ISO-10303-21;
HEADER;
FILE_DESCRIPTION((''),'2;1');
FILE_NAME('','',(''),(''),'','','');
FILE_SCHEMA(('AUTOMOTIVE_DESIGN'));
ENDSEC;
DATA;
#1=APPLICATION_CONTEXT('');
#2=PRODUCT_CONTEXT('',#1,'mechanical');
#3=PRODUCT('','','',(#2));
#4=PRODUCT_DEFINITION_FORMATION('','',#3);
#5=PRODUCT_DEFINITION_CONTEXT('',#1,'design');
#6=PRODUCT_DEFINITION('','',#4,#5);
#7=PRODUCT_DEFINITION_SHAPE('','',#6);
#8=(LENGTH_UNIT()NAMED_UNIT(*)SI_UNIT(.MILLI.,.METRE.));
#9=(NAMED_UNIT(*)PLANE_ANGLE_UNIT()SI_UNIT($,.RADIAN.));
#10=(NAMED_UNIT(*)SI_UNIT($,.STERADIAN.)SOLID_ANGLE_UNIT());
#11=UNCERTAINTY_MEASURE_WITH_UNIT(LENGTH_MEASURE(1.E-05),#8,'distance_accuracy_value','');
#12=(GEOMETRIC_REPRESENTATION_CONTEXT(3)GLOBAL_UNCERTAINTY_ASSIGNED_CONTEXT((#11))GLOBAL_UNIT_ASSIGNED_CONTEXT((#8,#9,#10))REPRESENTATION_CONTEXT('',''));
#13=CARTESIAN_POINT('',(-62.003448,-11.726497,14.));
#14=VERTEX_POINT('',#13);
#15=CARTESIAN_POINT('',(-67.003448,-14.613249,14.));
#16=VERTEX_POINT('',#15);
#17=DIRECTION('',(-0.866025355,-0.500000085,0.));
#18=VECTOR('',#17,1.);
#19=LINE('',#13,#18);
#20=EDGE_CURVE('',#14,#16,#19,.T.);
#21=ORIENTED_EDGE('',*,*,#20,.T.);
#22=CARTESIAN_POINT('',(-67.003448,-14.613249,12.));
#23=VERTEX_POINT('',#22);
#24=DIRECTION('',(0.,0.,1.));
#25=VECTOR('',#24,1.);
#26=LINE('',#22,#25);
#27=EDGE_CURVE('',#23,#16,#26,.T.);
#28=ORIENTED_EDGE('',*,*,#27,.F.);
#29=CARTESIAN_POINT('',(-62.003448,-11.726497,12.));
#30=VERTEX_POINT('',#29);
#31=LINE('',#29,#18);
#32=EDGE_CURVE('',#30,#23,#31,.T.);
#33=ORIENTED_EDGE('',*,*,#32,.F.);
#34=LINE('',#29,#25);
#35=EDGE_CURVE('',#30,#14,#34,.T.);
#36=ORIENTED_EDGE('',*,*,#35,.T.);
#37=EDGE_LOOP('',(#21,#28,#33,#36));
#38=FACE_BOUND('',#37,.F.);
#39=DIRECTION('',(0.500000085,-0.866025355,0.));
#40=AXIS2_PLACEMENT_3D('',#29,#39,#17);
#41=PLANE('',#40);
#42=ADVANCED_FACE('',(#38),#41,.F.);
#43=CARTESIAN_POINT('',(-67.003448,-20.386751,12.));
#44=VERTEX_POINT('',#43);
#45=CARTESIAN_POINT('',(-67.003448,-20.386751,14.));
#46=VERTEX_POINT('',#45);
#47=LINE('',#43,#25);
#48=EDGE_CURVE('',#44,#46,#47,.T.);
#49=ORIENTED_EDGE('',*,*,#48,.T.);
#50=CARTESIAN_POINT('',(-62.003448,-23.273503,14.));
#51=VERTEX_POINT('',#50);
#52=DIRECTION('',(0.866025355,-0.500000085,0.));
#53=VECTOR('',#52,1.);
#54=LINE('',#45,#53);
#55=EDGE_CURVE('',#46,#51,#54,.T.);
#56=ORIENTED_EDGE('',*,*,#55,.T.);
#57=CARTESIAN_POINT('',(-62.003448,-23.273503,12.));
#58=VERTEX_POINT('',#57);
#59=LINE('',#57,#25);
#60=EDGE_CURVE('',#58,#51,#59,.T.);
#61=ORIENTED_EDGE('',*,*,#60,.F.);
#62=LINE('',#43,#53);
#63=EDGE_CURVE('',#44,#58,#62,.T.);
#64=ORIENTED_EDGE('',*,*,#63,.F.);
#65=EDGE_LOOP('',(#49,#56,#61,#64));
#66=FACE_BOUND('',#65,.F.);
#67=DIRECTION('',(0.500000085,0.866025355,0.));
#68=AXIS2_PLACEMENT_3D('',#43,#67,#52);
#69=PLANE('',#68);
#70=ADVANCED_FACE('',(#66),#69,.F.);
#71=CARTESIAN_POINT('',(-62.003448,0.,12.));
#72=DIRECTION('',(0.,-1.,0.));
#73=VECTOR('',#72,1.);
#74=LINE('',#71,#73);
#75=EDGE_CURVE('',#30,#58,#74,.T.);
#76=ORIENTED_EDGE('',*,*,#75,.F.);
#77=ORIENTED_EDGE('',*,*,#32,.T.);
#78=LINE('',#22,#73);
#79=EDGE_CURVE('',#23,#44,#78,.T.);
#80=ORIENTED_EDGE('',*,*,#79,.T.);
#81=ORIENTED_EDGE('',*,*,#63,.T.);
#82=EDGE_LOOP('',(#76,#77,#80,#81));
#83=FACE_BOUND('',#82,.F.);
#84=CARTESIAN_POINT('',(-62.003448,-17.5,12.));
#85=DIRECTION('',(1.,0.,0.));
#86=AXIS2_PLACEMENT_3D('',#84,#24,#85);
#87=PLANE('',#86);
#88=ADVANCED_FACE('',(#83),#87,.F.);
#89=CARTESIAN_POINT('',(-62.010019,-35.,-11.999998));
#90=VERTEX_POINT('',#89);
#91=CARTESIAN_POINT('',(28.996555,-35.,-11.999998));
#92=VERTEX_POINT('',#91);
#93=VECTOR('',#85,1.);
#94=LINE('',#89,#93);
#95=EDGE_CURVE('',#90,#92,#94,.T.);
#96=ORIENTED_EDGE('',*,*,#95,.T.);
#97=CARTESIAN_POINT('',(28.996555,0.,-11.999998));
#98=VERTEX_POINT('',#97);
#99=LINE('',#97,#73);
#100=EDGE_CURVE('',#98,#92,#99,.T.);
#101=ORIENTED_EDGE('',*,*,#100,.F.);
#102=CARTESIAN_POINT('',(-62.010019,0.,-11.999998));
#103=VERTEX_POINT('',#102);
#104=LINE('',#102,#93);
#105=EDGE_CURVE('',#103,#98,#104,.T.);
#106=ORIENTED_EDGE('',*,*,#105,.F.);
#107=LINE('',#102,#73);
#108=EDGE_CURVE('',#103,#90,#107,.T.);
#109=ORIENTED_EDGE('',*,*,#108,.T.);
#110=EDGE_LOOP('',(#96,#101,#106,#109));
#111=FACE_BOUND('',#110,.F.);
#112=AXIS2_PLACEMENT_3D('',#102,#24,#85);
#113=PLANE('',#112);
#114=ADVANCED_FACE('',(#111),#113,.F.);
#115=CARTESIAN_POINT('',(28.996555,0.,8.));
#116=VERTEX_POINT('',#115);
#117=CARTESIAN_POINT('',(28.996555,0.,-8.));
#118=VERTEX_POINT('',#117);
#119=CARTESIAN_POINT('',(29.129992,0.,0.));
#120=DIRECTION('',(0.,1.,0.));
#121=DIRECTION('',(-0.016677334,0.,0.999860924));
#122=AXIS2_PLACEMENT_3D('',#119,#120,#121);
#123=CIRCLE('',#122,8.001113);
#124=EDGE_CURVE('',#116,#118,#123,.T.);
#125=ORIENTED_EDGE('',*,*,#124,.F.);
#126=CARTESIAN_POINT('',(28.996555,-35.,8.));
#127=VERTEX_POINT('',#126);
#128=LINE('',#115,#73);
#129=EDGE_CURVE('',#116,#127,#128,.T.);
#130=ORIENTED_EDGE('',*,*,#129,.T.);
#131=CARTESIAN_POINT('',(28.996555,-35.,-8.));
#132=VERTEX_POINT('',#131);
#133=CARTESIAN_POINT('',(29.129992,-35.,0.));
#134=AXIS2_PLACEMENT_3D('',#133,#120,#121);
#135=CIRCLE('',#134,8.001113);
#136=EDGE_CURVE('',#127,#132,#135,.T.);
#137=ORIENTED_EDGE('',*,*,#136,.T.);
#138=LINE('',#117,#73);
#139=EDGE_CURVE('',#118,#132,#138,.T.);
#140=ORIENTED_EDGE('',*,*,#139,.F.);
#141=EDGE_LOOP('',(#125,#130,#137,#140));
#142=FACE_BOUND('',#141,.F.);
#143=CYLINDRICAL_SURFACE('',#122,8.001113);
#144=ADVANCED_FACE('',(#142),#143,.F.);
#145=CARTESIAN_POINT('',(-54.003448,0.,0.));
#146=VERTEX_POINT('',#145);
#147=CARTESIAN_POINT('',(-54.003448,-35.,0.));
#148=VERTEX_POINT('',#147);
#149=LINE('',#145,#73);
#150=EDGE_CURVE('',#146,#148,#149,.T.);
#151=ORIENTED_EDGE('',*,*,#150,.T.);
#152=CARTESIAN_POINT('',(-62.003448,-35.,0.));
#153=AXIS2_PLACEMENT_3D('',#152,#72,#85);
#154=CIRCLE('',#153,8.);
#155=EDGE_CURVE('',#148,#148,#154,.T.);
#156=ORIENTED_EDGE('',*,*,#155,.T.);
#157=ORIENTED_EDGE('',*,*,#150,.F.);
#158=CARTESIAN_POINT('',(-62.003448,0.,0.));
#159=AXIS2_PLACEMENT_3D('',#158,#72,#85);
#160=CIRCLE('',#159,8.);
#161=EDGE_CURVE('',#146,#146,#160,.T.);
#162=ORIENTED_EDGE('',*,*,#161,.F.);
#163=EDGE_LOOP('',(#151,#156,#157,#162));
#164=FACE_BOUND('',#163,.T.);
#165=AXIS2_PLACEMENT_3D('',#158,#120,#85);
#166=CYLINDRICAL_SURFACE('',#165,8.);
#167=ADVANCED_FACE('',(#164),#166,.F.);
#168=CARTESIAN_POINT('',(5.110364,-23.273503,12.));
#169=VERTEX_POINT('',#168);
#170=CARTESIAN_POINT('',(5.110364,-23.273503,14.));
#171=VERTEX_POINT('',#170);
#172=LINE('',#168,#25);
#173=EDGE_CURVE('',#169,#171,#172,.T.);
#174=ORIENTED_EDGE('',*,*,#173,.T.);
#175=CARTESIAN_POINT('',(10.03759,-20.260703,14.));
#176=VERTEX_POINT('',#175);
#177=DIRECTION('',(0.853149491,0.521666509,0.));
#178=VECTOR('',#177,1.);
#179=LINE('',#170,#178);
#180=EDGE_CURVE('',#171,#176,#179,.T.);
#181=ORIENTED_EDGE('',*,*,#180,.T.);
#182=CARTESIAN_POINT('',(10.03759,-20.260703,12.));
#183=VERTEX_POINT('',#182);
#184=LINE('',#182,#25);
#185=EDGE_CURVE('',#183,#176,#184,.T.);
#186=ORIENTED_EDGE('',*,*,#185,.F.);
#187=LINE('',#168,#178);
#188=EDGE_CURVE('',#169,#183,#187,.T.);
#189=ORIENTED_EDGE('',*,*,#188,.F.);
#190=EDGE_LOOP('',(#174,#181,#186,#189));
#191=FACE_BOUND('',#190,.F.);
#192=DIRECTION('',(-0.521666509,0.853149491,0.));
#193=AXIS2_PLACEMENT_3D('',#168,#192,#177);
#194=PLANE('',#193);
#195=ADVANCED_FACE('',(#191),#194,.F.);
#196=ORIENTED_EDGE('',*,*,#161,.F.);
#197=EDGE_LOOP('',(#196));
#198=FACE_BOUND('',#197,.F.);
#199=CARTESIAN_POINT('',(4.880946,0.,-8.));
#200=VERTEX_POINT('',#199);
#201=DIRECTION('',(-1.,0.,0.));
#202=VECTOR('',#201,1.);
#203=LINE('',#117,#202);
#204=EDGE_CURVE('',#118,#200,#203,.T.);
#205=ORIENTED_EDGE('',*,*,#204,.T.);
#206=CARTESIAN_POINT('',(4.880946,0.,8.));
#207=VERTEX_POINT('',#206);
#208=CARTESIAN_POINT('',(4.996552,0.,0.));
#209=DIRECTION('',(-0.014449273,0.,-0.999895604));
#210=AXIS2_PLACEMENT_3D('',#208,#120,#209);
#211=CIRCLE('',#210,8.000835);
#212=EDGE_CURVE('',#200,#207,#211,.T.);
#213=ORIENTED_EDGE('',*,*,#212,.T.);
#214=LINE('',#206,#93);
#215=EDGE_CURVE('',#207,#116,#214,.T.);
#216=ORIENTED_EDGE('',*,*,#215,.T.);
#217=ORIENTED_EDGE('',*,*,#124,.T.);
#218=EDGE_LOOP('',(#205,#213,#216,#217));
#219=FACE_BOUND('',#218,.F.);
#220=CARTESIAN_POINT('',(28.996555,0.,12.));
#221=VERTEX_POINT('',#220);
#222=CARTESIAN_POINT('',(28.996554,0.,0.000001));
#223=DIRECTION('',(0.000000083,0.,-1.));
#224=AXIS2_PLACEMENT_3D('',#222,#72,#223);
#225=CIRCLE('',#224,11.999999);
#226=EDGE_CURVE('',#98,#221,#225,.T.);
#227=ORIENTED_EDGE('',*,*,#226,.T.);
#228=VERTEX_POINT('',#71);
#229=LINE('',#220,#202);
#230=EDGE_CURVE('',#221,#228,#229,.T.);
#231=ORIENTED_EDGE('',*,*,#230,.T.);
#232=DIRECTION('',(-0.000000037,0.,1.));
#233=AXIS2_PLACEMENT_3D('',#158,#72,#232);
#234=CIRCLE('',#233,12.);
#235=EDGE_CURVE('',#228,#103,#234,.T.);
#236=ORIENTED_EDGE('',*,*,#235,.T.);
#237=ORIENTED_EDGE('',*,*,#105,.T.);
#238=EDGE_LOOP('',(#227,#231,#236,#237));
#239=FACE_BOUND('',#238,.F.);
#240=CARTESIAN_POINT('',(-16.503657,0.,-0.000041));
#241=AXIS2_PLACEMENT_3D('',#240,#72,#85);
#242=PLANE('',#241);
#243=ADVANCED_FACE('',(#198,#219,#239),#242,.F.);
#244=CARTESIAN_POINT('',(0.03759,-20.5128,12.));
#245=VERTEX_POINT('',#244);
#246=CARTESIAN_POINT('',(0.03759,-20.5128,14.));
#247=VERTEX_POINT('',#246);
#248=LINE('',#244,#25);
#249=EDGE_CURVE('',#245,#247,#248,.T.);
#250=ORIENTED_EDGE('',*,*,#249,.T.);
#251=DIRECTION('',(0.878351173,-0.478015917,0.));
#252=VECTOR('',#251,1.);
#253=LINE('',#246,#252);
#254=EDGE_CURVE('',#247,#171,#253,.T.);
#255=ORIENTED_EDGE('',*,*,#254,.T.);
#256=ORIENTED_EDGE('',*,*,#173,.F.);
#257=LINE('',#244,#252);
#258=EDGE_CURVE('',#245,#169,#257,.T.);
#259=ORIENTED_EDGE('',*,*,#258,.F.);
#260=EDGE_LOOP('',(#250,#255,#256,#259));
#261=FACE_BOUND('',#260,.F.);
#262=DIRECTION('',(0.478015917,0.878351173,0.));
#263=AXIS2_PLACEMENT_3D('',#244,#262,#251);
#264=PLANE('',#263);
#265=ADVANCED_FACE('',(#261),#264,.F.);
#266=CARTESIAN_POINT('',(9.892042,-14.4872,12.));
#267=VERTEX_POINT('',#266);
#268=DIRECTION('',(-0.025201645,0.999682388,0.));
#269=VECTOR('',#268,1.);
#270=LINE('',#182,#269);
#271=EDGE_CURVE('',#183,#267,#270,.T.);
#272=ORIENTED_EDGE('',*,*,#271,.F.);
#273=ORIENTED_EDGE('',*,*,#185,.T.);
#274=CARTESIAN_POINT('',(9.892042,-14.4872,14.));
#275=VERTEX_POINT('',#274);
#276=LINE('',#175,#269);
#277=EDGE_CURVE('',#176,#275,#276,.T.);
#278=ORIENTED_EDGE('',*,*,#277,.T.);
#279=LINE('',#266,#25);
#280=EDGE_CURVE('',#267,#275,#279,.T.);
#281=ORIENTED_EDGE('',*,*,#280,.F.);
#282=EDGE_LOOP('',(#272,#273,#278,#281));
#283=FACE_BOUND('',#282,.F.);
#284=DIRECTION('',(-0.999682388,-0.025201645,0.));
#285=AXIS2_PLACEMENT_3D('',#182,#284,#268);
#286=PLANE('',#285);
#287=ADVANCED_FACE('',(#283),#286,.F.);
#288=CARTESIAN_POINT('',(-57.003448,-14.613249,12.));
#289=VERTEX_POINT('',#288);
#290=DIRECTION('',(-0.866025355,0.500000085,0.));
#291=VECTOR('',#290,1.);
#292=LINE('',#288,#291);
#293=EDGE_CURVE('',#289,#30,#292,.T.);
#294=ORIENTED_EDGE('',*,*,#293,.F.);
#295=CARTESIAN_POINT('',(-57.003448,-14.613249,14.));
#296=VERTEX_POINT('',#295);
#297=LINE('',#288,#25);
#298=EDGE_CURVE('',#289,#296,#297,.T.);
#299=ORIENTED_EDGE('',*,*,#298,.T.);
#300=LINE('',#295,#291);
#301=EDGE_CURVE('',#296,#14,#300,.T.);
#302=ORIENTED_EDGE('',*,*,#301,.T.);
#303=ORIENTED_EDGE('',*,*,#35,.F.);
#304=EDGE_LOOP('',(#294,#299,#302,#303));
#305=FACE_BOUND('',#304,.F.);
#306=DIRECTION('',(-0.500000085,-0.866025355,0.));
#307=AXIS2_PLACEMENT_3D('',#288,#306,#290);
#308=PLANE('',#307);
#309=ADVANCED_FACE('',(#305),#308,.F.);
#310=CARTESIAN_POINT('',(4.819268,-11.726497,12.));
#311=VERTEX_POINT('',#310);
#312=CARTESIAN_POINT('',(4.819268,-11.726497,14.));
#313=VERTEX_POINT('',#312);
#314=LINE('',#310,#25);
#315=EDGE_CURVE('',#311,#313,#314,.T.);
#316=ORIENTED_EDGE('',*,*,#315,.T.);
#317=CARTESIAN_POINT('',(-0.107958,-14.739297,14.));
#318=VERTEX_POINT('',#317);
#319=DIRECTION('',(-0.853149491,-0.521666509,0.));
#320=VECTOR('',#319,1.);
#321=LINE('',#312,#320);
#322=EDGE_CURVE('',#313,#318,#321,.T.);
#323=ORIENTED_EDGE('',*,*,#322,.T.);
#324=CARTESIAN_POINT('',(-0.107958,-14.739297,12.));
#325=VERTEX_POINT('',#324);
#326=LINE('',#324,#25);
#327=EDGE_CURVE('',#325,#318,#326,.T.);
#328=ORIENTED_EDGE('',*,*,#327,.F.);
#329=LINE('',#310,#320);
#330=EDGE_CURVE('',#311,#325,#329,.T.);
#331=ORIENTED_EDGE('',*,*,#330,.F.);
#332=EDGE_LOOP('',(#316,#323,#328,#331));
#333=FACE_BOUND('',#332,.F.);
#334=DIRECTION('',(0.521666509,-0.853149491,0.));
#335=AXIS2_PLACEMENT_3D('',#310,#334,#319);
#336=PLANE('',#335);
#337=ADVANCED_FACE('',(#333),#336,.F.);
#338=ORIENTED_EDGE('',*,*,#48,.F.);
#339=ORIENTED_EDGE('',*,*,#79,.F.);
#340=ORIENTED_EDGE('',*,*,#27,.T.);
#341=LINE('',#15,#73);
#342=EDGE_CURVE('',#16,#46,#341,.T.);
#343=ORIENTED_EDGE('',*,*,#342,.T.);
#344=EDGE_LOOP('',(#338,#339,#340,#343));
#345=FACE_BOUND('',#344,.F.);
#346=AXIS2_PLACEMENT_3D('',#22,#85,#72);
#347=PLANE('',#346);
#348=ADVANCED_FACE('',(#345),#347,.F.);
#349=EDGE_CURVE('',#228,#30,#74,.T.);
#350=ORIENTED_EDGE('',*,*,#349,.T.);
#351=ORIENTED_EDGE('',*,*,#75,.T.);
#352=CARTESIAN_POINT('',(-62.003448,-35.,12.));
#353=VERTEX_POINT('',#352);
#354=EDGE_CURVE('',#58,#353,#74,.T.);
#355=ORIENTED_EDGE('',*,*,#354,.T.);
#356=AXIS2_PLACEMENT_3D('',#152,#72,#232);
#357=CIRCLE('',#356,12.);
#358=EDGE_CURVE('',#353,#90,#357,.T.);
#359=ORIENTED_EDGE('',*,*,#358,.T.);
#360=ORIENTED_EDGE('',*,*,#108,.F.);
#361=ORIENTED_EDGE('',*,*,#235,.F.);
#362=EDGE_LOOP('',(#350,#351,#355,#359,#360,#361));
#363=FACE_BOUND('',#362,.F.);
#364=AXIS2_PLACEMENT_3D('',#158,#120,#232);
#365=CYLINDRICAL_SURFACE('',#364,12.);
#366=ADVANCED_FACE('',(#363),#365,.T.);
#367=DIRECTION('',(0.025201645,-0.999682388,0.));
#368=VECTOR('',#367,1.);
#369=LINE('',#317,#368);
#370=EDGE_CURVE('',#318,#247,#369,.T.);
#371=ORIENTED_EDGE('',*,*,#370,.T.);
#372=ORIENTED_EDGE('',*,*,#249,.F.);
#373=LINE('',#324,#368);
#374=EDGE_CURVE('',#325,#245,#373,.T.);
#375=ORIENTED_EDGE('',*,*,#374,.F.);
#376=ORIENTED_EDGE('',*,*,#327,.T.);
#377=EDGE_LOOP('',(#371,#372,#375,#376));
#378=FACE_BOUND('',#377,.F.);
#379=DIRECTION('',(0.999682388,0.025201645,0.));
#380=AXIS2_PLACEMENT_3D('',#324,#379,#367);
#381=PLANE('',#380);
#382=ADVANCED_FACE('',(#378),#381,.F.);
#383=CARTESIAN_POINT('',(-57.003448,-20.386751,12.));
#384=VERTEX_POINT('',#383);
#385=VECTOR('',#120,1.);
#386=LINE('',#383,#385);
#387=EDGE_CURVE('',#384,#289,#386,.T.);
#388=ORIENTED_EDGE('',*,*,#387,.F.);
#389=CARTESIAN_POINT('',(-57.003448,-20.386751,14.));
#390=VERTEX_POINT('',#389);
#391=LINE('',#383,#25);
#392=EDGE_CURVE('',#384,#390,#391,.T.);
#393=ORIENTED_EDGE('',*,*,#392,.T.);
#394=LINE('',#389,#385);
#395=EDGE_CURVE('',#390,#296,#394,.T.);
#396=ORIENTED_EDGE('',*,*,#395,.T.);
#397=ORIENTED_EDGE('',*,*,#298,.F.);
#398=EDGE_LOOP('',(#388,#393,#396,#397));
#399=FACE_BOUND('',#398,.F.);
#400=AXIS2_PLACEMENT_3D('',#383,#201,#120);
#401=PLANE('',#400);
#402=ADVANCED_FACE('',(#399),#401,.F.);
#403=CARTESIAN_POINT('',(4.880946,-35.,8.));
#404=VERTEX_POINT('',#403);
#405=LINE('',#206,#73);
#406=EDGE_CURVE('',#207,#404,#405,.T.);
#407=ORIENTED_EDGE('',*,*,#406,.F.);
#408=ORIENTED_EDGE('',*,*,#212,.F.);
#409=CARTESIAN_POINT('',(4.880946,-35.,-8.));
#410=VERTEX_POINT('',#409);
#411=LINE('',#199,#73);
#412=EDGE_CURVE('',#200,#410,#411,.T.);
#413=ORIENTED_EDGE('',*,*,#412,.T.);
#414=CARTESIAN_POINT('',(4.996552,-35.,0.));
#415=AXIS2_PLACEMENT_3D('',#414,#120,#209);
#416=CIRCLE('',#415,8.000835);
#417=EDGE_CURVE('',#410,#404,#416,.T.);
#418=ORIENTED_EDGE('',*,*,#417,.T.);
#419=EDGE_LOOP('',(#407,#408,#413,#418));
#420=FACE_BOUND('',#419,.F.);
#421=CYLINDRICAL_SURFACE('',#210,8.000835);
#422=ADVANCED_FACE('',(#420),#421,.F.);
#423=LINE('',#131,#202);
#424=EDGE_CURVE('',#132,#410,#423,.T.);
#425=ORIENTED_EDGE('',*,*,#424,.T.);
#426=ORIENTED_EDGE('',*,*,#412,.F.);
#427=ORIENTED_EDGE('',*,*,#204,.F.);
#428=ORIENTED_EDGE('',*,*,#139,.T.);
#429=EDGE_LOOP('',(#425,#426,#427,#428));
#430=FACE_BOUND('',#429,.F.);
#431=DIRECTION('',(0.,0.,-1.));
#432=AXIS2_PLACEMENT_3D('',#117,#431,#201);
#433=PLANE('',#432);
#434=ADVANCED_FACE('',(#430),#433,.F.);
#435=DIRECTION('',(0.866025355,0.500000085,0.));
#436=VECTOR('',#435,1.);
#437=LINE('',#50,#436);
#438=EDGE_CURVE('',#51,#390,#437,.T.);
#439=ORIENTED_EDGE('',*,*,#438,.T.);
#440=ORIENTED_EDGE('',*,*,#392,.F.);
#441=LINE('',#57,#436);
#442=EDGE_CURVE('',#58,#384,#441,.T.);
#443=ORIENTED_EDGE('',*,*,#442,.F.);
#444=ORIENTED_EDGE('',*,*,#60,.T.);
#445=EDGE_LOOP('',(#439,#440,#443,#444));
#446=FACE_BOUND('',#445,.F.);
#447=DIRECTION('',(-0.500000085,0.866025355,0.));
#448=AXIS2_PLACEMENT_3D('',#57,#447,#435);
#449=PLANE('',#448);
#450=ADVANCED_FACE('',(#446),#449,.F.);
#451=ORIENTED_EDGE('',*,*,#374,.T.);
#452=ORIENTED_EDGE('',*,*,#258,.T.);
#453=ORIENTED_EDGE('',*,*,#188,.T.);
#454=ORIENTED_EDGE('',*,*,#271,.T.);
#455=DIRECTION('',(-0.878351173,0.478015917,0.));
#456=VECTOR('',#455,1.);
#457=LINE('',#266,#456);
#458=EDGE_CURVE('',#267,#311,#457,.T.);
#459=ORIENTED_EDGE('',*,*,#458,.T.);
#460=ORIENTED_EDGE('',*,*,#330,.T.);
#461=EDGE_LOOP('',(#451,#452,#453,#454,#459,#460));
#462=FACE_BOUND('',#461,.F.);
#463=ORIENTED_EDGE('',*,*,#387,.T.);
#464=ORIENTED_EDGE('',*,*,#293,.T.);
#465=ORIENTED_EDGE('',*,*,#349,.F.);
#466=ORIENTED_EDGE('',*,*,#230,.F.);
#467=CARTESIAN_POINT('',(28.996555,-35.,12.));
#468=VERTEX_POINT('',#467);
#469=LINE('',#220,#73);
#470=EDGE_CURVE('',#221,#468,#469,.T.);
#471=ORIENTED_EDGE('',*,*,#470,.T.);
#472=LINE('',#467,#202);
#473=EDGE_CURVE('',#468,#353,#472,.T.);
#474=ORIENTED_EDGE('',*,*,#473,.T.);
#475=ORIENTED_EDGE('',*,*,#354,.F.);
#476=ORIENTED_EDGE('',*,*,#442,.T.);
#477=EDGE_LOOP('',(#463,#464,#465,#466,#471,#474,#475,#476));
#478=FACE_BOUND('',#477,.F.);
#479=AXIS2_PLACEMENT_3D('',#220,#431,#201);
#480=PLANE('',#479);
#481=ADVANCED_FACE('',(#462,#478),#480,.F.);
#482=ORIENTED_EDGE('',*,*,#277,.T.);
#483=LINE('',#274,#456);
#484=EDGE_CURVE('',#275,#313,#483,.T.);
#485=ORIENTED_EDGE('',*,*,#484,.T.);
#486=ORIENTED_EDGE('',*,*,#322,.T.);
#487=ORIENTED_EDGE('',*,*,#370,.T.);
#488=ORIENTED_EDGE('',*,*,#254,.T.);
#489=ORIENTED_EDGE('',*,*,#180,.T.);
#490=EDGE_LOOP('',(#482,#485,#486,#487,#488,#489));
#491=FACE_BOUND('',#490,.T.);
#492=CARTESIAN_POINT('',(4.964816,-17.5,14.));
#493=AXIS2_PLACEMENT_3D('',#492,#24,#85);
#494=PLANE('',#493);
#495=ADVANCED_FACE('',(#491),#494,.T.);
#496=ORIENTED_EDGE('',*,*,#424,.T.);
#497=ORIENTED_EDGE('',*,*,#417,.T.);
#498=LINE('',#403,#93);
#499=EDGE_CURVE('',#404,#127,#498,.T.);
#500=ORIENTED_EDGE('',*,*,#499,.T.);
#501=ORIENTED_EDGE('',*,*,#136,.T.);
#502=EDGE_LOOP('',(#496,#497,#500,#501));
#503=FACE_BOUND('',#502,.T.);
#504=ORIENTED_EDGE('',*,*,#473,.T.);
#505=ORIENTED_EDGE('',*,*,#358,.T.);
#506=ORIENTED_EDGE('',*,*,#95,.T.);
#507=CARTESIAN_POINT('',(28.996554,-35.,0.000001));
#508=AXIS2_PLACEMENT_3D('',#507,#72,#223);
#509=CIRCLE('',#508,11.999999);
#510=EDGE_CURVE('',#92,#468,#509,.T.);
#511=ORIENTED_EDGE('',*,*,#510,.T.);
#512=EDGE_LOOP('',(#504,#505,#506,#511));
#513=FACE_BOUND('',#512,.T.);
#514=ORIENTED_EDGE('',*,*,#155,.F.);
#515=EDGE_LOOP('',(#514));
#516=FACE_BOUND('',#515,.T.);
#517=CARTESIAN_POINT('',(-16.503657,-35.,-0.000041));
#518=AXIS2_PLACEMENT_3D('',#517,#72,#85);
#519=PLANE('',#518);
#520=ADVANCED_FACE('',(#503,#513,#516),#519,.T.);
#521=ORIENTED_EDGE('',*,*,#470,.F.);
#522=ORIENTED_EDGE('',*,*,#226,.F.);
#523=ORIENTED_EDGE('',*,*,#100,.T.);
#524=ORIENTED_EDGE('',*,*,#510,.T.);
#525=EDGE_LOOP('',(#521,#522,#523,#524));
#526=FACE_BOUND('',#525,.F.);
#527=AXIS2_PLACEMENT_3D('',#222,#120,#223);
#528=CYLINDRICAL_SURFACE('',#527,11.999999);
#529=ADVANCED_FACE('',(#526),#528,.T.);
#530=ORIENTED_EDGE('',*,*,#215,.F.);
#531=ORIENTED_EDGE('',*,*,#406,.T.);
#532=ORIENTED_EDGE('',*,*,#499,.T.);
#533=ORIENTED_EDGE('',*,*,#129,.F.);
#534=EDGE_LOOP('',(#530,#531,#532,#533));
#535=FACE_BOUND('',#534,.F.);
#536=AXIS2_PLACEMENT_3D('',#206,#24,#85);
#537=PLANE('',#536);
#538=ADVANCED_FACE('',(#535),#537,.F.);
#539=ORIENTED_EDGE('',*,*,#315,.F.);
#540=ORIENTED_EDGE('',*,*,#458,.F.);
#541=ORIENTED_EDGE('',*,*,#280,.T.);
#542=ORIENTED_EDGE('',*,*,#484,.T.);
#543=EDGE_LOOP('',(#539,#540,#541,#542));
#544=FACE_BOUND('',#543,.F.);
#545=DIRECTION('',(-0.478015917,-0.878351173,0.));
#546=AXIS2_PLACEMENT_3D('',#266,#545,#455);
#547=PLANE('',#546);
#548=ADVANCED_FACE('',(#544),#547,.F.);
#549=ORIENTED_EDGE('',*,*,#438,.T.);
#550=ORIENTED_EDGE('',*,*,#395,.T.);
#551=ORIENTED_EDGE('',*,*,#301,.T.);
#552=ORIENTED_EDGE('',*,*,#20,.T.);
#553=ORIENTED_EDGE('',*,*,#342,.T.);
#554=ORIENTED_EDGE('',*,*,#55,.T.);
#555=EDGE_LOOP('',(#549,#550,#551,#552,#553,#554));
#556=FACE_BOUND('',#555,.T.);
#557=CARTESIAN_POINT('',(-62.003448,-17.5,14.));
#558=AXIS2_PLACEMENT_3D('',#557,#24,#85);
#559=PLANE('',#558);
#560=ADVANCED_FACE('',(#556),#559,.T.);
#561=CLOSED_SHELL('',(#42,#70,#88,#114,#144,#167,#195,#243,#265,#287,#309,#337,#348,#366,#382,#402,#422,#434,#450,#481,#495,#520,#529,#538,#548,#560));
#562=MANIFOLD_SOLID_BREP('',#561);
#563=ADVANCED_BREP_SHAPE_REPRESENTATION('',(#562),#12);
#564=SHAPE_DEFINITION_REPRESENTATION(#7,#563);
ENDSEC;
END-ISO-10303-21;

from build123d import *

# Parameters (mm, degrees)
F0_R     = 8
F1_DEPTH = 35
F3_DEPTH = 2


with BuildPart() as f1:
    # F0 (on Front) → F1 (new body)
    with BuildSketch(Plane.XZ):
        with BuildLine():
            Line((-62.010019, -11.999998), (28.996555, -11.999998))
            ThreePointArc((28.996555, -11.999998), (40.996553, 1e-06), (28.996555, 12))
            Line((28.996555, 12), (-62.003448, 12))
            ThreePointArc((-62.003448, 12), (-74.003447, 0.003286), (-62.010019, -11.999998))
        make_face()
        with Locations((-62.003448, 0)):
            Circle(F0_R, mode=Mode.SUBTRACT)
        with BuildLine():
            ThreePointArc((4.880946, -8), (-3.004283, 0), (4.880946, 8))
            Line((4.880946, 8), (28.996555, 8))
            ThreePointArc((28.996555, 8), (37.131105, 0), (28.996555, -8))
            Line((28.996555, -8), (4.880946, -8))
        make_face(mode=Mode.SUBTRACT)
    extrude(amount=F1_DEPTH)

    # F2 (on face) → F3 (join)
    with BuildSketch(Plane.XY.offset(12)):
        Polygon((9.892042, -14.4872), (4.819268, -11.726497), (-0.107958, -14.739297), (0.03759, -20.5128), (5.110364, -23.273503), (10.03759, -20.260703), align=None)
        Polygon((-57.003448, -20.386751), (-57.003448, -14.613249), (-62.003448, -11.726497), (-67.003448, -14.613249), (-67.003448, -20.386751), (-62.003448, -23.273503), align=None)
    extrude(amount=F3_DEPTH)


solid = f1.part
